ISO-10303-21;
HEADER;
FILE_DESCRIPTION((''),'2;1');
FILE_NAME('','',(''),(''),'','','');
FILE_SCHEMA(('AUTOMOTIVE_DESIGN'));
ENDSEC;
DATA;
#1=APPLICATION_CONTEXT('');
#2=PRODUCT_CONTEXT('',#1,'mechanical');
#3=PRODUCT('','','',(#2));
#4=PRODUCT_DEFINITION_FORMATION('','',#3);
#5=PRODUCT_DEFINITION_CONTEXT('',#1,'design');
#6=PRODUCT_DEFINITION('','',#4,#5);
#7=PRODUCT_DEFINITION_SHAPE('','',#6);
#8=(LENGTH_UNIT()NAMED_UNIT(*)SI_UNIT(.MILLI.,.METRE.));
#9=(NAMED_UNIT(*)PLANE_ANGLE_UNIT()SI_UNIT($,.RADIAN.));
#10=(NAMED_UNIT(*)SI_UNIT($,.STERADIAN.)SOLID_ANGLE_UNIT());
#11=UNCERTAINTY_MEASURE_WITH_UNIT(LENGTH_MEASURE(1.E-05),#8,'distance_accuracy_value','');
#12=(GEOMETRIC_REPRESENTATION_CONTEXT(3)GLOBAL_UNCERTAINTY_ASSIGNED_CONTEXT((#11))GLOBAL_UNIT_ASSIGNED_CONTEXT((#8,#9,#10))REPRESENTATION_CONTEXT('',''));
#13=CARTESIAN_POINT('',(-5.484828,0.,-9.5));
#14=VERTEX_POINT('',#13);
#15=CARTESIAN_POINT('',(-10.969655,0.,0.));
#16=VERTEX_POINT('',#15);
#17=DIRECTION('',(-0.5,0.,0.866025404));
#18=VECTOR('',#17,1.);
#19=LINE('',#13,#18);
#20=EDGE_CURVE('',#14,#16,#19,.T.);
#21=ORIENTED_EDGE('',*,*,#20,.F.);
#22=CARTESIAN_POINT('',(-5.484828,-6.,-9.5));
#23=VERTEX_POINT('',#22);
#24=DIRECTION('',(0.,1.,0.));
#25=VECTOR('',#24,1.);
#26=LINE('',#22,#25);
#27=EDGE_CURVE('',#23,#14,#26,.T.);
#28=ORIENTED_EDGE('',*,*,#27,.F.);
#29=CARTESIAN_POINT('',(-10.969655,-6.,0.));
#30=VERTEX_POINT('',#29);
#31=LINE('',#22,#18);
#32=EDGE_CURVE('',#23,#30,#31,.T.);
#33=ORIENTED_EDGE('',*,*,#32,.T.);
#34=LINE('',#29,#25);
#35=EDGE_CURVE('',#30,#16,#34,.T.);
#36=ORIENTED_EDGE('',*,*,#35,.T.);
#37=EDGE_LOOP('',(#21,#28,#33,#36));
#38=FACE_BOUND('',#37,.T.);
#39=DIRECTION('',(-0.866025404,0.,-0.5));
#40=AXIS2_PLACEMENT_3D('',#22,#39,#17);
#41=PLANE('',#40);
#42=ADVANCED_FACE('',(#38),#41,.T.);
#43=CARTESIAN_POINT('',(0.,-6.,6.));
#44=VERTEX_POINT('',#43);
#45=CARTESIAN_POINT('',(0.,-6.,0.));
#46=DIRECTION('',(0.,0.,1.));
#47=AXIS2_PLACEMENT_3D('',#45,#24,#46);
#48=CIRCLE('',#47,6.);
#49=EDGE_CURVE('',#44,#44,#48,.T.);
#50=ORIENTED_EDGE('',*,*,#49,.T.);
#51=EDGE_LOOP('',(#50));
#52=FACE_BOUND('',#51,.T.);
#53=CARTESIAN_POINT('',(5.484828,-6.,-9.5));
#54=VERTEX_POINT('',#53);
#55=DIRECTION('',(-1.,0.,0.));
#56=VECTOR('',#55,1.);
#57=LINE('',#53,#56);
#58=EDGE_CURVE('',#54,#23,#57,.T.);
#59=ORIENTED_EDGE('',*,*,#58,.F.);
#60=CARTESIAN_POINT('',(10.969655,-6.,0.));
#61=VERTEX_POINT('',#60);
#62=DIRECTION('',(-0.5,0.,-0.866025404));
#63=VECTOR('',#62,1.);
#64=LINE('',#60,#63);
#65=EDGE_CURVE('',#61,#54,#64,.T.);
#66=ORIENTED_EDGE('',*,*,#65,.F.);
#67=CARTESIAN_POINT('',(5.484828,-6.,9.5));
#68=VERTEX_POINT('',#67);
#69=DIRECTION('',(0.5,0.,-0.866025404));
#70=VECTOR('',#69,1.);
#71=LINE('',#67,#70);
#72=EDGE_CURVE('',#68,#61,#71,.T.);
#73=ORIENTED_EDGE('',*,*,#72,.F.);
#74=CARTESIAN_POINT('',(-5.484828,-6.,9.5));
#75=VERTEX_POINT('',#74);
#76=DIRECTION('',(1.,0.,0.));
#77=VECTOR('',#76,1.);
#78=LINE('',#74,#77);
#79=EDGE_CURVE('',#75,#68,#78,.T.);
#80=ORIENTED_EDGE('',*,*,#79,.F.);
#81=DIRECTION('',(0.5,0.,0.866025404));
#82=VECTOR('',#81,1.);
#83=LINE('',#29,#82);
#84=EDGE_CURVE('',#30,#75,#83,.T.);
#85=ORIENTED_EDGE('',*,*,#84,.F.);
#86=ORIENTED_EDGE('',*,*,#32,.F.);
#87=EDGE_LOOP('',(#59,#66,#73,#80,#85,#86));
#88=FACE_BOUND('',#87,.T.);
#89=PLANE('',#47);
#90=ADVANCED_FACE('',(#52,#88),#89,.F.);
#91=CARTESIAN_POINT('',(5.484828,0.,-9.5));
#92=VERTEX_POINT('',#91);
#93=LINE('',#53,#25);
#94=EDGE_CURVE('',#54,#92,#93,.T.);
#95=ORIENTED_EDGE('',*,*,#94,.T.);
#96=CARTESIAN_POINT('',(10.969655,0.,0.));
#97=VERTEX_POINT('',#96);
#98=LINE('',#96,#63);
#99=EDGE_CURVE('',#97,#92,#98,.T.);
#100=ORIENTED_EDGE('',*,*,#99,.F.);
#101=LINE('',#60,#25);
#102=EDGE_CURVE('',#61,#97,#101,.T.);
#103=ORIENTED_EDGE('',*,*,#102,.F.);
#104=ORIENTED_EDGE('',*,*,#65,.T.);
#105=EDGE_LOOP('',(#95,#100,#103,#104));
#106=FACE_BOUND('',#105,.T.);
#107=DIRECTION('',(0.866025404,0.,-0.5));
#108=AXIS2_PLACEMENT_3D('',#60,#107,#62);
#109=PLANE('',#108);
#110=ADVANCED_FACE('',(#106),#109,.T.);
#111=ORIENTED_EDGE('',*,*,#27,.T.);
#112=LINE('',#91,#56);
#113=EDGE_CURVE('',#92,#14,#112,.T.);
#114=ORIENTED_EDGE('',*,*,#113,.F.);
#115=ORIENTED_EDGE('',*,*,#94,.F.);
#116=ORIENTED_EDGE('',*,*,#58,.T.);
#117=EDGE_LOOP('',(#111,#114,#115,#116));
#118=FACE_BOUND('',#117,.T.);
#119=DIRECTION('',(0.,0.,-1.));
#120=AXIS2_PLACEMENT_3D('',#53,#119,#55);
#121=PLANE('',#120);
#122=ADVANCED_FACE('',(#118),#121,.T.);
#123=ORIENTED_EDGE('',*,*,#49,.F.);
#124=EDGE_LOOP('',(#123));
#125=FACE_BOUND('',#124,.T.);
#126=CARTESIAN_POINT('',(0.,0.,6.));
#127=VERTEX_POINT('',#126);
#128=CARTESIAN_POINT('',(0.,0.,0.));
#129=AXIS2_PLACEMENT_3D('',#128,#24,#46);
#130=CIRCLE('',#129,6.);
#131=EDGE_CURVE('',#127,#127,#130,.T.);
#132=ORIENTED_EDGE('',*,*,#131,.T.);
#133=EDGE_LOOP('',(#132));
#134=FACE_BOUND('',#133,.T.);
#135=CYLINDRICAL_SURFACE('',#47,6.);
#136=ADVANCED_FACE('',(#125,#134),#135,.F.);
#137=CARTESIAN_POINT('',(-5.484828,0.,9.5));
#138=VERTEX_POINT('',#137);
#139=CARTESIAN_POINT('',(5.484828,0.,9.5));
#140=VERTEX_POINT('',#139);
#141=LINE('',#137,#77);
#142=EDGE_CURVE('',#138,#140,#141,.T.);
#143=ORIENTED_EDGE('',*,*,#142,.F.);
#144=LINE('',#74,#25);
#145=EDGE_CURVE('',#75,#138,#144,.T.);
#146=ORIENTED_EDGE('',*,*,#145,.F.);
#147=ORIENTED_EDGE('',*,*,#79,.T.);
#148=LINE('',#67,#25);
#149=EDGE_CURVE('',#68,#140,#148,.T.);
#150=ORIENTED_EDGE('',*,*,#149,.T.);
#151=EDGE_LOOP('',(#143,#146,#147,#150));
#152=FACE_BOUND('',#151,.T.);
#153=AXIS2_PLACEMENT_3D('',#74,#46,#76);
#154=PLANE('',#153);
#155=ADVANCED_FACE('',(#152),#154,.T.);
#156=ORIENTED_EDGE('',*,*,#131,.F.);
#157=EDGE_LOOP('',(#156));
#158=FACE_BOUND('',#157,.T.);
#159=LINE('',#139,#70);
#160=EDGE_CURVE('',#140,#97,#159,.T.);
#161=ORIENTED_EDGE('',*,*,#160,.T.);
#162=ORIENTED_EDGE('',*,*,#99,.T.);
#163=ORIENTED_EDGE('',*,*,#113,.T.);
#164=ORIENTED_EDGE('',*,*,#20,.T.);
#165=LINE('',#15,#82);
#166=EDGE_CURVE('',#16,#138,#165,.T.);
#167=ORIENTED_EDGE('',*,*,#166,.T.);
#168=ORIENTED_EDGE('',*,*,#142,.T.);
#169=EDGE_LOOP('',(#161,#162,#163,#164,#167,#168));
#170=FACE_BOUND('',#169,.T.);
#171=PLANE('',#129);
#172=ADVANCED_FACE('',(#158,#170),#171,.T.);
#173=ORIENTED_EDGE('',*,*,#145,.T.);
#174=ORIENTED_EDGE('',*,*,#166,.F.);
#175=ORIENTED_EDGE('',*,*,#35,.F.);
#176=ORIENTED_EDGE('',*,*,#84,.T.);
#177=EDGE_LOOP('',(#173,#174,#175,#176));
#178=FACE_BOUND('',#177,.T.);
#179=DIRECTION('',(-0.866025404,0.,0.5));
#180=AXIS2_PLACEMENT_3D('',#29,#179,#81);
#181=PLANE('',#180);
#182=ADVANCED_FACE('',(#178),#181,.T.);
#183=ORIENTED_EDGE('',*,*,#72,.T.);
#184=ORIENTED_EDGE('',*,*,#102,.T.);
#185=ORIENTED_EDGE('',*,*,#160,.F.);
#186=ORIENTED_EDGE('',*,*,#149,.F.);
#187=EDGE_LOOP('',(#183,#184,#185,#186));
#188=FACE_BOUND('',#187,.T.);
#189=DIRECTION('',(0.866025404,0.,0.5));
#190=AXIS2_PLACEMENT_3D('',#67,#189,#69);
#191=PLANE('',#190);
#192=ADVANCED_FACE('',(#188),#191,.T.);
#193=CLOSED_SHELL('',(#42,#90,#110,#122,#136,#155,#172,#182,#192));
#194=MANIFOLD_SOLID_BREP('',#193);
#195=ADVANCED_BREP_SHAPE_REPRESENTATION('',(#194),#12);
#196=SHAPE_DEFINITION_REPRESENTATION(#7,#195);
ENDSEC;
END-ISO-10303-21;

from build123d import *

# Parameters (mm, degrees)
BOSS_EXTRUDE1_DEPTH = 6
SKETCH2_R           = 6
CUT_EXTRUDE1_DEPTH  = 6


with BuildPart() as part:
    # Sketch1 → Boss-Extrude1 (new body)
    with BuildSketch(Plane(origin=(0, 0, 0), x_dir=(1, 0, 0), z_dir=(0, 1, 0))):
        Polygon((10.969655115, 0), (5.484827557, 9.5), (-5.484827557, 9.5), (-10.969655115, 0), (-5.484827557, -9.5), (5.484827557, -9.5), align=None)
    extrude(amount=-BOSS_EXTRUDE1_DEPTH)

    # Sketch2 → Cut-Extrude1 (cut)
    with BuildSketch(Plane(origin=(0, 0, 0), x_dir=(1, 0, 0), z_dir=(0, 1, 0))):
        Circle(SKETCH2_R)
    extrude(amount=-CUT_EXTRUDE1_DEPTH, mode=Mode.SUBTRACT)


solid = part.part
